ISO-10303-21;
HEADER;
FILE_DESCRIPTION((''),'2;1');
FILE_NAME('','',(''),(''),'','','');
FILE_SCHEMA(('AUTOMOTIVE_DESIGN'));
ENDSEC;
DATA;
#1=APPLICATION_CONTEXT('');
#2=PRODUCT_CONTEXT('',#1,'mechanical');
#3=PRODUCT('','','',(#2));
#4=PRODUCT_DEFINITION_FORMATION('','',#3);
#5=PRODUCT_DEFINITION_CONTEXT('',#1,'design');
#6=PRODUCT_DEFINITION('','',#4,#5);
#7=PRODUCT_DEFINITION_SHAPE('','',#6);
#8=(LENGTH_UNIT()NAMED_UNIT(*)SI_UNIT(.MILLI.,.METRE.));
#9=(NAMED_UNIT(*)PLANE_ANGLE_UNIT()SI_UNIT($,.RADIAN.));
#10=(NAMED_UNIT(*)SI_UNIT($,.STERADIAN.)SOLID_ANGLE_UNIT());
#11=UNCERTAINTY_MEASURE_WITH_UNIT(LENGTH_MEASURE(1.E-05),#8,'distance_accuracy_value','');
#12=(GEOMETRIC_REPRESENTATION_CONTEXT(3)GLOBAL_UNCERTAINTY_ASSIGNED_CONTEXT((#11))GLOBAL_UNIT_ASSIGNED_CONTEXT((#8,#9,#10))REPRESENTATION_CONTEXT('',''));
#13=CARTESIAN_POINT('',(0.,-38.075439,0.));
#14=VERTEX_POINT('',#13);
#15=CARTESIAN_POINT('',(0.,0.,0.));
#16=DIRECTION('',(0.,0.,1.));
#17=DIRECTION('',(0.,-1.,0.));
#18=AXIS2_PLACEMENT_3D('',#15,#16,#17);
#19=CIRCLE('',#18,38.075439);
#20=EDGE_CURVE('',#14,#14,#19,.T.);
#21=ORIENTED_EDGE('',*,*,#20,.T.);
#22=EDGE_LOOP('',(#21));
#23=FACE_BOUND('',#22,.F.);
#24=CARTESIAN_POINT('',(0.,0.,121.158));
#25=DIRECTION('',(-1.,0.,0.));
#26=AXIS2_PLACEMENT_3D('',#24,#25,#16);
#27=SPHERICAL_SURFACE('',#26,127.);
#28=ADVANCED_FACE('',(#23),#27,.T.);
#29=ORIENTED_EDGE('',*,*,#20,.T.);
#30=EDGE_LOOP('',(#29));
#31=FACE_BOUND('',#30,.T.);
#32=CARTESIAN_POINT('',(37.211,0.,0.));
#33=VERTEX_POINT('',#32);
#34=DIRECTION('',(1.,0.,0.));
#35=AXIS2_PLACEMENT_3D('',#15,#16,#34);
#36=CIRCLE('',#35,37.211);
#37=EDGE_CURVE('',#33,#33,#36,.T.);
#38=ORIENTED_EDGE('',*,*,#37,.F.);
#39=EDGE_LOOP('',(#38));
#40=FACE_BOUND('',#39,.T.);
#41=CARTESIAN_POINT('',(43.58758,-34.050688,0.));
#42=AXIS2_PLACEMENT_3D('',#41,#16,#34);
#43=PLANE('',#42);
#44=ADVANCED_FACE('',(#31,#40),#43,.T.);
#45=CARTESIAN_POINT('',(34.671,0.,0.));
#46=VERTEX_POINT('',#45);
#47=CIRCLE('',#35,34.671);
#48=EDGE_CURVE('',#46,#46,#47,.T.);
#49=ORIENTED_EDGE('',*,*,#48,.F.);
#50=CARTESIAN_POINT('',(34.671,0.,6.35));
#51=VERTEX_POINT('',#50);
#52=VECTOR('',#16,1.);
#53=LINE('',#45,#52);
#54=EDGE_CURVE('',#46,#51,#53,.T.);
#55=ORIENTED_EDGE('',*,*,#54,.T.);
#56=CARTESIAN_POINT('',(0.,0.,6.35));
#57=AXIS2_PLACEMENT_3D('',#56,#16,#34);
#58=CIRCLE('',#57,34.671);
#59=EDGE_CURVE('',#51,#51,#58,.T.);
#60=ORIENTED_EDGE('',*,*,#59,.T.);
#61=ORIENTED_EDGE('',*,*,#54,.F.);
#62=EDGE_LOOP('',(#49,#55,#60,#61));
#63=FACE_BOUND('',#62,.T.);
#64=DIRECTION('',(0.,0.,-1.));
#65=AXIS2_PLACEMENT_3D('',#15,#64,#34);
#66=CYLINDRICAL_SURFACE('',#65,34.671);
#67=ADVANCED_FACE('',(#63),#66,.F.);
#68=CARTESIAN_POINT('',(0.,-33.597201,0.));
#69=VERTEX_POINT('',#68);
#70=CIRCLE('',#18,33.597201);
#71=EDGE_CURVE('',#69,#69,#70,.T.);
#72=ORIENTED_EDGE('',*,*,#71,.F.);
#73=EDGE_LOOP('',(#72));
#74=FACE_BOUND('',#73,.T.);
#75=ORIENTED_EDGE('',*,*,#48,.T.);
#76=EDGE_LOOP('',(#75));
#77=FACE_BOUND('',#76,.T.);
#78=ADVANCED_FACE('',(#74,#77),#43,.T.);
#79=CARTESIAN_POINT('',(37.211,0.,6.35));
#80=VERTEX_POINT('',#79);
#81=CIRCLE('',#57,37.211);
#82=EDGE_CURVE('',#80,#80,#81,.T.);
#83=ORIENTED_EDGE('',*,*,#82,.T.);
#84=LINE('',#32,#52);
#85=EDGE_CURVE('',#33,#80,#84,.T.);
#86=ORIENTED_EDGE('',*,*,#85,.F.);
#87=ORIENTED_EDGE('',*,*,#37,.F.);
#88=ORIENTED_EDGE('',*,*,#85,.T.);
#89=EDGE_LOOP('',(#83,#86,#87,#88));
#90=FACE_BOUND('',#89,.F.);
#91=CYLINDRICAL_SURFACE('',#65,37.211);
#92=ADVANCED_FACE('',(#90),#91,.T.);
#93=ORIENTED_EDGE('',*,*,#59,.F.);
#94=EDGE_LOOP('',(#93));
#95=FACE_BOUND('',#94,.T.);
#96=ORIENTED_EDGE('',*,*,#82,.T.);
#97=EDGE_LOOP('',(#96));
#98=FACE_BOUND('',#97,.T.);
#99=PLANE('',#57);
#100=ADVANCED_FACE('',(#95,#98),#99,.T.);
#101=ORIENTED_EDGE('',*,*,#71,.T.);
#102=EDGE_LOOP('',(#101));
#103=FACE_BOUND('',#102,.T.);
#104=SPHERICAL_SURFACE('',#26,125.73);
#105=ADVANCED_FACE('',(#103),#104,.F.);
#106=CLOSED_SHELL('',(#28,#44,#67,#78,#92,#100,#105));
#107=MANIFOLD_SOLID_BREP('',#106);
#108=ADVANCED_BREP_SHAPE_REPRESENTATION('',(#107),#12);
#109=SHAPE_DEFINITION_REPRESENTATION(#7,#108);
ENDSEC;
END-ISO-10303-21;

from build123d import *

# Parameters (mm, degrees)
F3_T     = -1.27
F4_W     = 834.6531093121
F4_H     = 674.1969883442
F5_DEPTH = 508
F0_R     = 37.211
F0_R_2   = 34.671
F6_DEPTH = 6.35


with BuildPart() as f2:
    # F1 (on Front) → F2 (revolve)
    with BuildSketch(Plane.XZ):
        with BuildLine():
            ThreePointArc((127, 121.158), (0, 248.158), (-127, 121.158))
            Line((-127, 121.158), (127, 121.158))
        make_face()
    revolve(axis=Axis((0, 0, 121.158), (1, 0, 0)))

    # F3 (hollow: no face is removed)
    offset(amount=F3_T, mode=Mode.SUBTRACT)

    # F4 (on Top) → F5 (cut)
    with BuildSketch(Plane.XY):
        with Locations((43.5875803232, -34.0506881475)):
            Rectangle(F4_W, F4_H)
    extrude(amount=F5_DEPTH, mode=Mode.SUBTRACT)

    # F0 (on Top) → F6 (join)
    with BuildSketch(Plane.XY):
        Circle(F0_R)
        Circle(F0_R_2, mode=Mode.SUBTRACT)
    extrude(amount=F6_DEPTH)


solid = f2.part
